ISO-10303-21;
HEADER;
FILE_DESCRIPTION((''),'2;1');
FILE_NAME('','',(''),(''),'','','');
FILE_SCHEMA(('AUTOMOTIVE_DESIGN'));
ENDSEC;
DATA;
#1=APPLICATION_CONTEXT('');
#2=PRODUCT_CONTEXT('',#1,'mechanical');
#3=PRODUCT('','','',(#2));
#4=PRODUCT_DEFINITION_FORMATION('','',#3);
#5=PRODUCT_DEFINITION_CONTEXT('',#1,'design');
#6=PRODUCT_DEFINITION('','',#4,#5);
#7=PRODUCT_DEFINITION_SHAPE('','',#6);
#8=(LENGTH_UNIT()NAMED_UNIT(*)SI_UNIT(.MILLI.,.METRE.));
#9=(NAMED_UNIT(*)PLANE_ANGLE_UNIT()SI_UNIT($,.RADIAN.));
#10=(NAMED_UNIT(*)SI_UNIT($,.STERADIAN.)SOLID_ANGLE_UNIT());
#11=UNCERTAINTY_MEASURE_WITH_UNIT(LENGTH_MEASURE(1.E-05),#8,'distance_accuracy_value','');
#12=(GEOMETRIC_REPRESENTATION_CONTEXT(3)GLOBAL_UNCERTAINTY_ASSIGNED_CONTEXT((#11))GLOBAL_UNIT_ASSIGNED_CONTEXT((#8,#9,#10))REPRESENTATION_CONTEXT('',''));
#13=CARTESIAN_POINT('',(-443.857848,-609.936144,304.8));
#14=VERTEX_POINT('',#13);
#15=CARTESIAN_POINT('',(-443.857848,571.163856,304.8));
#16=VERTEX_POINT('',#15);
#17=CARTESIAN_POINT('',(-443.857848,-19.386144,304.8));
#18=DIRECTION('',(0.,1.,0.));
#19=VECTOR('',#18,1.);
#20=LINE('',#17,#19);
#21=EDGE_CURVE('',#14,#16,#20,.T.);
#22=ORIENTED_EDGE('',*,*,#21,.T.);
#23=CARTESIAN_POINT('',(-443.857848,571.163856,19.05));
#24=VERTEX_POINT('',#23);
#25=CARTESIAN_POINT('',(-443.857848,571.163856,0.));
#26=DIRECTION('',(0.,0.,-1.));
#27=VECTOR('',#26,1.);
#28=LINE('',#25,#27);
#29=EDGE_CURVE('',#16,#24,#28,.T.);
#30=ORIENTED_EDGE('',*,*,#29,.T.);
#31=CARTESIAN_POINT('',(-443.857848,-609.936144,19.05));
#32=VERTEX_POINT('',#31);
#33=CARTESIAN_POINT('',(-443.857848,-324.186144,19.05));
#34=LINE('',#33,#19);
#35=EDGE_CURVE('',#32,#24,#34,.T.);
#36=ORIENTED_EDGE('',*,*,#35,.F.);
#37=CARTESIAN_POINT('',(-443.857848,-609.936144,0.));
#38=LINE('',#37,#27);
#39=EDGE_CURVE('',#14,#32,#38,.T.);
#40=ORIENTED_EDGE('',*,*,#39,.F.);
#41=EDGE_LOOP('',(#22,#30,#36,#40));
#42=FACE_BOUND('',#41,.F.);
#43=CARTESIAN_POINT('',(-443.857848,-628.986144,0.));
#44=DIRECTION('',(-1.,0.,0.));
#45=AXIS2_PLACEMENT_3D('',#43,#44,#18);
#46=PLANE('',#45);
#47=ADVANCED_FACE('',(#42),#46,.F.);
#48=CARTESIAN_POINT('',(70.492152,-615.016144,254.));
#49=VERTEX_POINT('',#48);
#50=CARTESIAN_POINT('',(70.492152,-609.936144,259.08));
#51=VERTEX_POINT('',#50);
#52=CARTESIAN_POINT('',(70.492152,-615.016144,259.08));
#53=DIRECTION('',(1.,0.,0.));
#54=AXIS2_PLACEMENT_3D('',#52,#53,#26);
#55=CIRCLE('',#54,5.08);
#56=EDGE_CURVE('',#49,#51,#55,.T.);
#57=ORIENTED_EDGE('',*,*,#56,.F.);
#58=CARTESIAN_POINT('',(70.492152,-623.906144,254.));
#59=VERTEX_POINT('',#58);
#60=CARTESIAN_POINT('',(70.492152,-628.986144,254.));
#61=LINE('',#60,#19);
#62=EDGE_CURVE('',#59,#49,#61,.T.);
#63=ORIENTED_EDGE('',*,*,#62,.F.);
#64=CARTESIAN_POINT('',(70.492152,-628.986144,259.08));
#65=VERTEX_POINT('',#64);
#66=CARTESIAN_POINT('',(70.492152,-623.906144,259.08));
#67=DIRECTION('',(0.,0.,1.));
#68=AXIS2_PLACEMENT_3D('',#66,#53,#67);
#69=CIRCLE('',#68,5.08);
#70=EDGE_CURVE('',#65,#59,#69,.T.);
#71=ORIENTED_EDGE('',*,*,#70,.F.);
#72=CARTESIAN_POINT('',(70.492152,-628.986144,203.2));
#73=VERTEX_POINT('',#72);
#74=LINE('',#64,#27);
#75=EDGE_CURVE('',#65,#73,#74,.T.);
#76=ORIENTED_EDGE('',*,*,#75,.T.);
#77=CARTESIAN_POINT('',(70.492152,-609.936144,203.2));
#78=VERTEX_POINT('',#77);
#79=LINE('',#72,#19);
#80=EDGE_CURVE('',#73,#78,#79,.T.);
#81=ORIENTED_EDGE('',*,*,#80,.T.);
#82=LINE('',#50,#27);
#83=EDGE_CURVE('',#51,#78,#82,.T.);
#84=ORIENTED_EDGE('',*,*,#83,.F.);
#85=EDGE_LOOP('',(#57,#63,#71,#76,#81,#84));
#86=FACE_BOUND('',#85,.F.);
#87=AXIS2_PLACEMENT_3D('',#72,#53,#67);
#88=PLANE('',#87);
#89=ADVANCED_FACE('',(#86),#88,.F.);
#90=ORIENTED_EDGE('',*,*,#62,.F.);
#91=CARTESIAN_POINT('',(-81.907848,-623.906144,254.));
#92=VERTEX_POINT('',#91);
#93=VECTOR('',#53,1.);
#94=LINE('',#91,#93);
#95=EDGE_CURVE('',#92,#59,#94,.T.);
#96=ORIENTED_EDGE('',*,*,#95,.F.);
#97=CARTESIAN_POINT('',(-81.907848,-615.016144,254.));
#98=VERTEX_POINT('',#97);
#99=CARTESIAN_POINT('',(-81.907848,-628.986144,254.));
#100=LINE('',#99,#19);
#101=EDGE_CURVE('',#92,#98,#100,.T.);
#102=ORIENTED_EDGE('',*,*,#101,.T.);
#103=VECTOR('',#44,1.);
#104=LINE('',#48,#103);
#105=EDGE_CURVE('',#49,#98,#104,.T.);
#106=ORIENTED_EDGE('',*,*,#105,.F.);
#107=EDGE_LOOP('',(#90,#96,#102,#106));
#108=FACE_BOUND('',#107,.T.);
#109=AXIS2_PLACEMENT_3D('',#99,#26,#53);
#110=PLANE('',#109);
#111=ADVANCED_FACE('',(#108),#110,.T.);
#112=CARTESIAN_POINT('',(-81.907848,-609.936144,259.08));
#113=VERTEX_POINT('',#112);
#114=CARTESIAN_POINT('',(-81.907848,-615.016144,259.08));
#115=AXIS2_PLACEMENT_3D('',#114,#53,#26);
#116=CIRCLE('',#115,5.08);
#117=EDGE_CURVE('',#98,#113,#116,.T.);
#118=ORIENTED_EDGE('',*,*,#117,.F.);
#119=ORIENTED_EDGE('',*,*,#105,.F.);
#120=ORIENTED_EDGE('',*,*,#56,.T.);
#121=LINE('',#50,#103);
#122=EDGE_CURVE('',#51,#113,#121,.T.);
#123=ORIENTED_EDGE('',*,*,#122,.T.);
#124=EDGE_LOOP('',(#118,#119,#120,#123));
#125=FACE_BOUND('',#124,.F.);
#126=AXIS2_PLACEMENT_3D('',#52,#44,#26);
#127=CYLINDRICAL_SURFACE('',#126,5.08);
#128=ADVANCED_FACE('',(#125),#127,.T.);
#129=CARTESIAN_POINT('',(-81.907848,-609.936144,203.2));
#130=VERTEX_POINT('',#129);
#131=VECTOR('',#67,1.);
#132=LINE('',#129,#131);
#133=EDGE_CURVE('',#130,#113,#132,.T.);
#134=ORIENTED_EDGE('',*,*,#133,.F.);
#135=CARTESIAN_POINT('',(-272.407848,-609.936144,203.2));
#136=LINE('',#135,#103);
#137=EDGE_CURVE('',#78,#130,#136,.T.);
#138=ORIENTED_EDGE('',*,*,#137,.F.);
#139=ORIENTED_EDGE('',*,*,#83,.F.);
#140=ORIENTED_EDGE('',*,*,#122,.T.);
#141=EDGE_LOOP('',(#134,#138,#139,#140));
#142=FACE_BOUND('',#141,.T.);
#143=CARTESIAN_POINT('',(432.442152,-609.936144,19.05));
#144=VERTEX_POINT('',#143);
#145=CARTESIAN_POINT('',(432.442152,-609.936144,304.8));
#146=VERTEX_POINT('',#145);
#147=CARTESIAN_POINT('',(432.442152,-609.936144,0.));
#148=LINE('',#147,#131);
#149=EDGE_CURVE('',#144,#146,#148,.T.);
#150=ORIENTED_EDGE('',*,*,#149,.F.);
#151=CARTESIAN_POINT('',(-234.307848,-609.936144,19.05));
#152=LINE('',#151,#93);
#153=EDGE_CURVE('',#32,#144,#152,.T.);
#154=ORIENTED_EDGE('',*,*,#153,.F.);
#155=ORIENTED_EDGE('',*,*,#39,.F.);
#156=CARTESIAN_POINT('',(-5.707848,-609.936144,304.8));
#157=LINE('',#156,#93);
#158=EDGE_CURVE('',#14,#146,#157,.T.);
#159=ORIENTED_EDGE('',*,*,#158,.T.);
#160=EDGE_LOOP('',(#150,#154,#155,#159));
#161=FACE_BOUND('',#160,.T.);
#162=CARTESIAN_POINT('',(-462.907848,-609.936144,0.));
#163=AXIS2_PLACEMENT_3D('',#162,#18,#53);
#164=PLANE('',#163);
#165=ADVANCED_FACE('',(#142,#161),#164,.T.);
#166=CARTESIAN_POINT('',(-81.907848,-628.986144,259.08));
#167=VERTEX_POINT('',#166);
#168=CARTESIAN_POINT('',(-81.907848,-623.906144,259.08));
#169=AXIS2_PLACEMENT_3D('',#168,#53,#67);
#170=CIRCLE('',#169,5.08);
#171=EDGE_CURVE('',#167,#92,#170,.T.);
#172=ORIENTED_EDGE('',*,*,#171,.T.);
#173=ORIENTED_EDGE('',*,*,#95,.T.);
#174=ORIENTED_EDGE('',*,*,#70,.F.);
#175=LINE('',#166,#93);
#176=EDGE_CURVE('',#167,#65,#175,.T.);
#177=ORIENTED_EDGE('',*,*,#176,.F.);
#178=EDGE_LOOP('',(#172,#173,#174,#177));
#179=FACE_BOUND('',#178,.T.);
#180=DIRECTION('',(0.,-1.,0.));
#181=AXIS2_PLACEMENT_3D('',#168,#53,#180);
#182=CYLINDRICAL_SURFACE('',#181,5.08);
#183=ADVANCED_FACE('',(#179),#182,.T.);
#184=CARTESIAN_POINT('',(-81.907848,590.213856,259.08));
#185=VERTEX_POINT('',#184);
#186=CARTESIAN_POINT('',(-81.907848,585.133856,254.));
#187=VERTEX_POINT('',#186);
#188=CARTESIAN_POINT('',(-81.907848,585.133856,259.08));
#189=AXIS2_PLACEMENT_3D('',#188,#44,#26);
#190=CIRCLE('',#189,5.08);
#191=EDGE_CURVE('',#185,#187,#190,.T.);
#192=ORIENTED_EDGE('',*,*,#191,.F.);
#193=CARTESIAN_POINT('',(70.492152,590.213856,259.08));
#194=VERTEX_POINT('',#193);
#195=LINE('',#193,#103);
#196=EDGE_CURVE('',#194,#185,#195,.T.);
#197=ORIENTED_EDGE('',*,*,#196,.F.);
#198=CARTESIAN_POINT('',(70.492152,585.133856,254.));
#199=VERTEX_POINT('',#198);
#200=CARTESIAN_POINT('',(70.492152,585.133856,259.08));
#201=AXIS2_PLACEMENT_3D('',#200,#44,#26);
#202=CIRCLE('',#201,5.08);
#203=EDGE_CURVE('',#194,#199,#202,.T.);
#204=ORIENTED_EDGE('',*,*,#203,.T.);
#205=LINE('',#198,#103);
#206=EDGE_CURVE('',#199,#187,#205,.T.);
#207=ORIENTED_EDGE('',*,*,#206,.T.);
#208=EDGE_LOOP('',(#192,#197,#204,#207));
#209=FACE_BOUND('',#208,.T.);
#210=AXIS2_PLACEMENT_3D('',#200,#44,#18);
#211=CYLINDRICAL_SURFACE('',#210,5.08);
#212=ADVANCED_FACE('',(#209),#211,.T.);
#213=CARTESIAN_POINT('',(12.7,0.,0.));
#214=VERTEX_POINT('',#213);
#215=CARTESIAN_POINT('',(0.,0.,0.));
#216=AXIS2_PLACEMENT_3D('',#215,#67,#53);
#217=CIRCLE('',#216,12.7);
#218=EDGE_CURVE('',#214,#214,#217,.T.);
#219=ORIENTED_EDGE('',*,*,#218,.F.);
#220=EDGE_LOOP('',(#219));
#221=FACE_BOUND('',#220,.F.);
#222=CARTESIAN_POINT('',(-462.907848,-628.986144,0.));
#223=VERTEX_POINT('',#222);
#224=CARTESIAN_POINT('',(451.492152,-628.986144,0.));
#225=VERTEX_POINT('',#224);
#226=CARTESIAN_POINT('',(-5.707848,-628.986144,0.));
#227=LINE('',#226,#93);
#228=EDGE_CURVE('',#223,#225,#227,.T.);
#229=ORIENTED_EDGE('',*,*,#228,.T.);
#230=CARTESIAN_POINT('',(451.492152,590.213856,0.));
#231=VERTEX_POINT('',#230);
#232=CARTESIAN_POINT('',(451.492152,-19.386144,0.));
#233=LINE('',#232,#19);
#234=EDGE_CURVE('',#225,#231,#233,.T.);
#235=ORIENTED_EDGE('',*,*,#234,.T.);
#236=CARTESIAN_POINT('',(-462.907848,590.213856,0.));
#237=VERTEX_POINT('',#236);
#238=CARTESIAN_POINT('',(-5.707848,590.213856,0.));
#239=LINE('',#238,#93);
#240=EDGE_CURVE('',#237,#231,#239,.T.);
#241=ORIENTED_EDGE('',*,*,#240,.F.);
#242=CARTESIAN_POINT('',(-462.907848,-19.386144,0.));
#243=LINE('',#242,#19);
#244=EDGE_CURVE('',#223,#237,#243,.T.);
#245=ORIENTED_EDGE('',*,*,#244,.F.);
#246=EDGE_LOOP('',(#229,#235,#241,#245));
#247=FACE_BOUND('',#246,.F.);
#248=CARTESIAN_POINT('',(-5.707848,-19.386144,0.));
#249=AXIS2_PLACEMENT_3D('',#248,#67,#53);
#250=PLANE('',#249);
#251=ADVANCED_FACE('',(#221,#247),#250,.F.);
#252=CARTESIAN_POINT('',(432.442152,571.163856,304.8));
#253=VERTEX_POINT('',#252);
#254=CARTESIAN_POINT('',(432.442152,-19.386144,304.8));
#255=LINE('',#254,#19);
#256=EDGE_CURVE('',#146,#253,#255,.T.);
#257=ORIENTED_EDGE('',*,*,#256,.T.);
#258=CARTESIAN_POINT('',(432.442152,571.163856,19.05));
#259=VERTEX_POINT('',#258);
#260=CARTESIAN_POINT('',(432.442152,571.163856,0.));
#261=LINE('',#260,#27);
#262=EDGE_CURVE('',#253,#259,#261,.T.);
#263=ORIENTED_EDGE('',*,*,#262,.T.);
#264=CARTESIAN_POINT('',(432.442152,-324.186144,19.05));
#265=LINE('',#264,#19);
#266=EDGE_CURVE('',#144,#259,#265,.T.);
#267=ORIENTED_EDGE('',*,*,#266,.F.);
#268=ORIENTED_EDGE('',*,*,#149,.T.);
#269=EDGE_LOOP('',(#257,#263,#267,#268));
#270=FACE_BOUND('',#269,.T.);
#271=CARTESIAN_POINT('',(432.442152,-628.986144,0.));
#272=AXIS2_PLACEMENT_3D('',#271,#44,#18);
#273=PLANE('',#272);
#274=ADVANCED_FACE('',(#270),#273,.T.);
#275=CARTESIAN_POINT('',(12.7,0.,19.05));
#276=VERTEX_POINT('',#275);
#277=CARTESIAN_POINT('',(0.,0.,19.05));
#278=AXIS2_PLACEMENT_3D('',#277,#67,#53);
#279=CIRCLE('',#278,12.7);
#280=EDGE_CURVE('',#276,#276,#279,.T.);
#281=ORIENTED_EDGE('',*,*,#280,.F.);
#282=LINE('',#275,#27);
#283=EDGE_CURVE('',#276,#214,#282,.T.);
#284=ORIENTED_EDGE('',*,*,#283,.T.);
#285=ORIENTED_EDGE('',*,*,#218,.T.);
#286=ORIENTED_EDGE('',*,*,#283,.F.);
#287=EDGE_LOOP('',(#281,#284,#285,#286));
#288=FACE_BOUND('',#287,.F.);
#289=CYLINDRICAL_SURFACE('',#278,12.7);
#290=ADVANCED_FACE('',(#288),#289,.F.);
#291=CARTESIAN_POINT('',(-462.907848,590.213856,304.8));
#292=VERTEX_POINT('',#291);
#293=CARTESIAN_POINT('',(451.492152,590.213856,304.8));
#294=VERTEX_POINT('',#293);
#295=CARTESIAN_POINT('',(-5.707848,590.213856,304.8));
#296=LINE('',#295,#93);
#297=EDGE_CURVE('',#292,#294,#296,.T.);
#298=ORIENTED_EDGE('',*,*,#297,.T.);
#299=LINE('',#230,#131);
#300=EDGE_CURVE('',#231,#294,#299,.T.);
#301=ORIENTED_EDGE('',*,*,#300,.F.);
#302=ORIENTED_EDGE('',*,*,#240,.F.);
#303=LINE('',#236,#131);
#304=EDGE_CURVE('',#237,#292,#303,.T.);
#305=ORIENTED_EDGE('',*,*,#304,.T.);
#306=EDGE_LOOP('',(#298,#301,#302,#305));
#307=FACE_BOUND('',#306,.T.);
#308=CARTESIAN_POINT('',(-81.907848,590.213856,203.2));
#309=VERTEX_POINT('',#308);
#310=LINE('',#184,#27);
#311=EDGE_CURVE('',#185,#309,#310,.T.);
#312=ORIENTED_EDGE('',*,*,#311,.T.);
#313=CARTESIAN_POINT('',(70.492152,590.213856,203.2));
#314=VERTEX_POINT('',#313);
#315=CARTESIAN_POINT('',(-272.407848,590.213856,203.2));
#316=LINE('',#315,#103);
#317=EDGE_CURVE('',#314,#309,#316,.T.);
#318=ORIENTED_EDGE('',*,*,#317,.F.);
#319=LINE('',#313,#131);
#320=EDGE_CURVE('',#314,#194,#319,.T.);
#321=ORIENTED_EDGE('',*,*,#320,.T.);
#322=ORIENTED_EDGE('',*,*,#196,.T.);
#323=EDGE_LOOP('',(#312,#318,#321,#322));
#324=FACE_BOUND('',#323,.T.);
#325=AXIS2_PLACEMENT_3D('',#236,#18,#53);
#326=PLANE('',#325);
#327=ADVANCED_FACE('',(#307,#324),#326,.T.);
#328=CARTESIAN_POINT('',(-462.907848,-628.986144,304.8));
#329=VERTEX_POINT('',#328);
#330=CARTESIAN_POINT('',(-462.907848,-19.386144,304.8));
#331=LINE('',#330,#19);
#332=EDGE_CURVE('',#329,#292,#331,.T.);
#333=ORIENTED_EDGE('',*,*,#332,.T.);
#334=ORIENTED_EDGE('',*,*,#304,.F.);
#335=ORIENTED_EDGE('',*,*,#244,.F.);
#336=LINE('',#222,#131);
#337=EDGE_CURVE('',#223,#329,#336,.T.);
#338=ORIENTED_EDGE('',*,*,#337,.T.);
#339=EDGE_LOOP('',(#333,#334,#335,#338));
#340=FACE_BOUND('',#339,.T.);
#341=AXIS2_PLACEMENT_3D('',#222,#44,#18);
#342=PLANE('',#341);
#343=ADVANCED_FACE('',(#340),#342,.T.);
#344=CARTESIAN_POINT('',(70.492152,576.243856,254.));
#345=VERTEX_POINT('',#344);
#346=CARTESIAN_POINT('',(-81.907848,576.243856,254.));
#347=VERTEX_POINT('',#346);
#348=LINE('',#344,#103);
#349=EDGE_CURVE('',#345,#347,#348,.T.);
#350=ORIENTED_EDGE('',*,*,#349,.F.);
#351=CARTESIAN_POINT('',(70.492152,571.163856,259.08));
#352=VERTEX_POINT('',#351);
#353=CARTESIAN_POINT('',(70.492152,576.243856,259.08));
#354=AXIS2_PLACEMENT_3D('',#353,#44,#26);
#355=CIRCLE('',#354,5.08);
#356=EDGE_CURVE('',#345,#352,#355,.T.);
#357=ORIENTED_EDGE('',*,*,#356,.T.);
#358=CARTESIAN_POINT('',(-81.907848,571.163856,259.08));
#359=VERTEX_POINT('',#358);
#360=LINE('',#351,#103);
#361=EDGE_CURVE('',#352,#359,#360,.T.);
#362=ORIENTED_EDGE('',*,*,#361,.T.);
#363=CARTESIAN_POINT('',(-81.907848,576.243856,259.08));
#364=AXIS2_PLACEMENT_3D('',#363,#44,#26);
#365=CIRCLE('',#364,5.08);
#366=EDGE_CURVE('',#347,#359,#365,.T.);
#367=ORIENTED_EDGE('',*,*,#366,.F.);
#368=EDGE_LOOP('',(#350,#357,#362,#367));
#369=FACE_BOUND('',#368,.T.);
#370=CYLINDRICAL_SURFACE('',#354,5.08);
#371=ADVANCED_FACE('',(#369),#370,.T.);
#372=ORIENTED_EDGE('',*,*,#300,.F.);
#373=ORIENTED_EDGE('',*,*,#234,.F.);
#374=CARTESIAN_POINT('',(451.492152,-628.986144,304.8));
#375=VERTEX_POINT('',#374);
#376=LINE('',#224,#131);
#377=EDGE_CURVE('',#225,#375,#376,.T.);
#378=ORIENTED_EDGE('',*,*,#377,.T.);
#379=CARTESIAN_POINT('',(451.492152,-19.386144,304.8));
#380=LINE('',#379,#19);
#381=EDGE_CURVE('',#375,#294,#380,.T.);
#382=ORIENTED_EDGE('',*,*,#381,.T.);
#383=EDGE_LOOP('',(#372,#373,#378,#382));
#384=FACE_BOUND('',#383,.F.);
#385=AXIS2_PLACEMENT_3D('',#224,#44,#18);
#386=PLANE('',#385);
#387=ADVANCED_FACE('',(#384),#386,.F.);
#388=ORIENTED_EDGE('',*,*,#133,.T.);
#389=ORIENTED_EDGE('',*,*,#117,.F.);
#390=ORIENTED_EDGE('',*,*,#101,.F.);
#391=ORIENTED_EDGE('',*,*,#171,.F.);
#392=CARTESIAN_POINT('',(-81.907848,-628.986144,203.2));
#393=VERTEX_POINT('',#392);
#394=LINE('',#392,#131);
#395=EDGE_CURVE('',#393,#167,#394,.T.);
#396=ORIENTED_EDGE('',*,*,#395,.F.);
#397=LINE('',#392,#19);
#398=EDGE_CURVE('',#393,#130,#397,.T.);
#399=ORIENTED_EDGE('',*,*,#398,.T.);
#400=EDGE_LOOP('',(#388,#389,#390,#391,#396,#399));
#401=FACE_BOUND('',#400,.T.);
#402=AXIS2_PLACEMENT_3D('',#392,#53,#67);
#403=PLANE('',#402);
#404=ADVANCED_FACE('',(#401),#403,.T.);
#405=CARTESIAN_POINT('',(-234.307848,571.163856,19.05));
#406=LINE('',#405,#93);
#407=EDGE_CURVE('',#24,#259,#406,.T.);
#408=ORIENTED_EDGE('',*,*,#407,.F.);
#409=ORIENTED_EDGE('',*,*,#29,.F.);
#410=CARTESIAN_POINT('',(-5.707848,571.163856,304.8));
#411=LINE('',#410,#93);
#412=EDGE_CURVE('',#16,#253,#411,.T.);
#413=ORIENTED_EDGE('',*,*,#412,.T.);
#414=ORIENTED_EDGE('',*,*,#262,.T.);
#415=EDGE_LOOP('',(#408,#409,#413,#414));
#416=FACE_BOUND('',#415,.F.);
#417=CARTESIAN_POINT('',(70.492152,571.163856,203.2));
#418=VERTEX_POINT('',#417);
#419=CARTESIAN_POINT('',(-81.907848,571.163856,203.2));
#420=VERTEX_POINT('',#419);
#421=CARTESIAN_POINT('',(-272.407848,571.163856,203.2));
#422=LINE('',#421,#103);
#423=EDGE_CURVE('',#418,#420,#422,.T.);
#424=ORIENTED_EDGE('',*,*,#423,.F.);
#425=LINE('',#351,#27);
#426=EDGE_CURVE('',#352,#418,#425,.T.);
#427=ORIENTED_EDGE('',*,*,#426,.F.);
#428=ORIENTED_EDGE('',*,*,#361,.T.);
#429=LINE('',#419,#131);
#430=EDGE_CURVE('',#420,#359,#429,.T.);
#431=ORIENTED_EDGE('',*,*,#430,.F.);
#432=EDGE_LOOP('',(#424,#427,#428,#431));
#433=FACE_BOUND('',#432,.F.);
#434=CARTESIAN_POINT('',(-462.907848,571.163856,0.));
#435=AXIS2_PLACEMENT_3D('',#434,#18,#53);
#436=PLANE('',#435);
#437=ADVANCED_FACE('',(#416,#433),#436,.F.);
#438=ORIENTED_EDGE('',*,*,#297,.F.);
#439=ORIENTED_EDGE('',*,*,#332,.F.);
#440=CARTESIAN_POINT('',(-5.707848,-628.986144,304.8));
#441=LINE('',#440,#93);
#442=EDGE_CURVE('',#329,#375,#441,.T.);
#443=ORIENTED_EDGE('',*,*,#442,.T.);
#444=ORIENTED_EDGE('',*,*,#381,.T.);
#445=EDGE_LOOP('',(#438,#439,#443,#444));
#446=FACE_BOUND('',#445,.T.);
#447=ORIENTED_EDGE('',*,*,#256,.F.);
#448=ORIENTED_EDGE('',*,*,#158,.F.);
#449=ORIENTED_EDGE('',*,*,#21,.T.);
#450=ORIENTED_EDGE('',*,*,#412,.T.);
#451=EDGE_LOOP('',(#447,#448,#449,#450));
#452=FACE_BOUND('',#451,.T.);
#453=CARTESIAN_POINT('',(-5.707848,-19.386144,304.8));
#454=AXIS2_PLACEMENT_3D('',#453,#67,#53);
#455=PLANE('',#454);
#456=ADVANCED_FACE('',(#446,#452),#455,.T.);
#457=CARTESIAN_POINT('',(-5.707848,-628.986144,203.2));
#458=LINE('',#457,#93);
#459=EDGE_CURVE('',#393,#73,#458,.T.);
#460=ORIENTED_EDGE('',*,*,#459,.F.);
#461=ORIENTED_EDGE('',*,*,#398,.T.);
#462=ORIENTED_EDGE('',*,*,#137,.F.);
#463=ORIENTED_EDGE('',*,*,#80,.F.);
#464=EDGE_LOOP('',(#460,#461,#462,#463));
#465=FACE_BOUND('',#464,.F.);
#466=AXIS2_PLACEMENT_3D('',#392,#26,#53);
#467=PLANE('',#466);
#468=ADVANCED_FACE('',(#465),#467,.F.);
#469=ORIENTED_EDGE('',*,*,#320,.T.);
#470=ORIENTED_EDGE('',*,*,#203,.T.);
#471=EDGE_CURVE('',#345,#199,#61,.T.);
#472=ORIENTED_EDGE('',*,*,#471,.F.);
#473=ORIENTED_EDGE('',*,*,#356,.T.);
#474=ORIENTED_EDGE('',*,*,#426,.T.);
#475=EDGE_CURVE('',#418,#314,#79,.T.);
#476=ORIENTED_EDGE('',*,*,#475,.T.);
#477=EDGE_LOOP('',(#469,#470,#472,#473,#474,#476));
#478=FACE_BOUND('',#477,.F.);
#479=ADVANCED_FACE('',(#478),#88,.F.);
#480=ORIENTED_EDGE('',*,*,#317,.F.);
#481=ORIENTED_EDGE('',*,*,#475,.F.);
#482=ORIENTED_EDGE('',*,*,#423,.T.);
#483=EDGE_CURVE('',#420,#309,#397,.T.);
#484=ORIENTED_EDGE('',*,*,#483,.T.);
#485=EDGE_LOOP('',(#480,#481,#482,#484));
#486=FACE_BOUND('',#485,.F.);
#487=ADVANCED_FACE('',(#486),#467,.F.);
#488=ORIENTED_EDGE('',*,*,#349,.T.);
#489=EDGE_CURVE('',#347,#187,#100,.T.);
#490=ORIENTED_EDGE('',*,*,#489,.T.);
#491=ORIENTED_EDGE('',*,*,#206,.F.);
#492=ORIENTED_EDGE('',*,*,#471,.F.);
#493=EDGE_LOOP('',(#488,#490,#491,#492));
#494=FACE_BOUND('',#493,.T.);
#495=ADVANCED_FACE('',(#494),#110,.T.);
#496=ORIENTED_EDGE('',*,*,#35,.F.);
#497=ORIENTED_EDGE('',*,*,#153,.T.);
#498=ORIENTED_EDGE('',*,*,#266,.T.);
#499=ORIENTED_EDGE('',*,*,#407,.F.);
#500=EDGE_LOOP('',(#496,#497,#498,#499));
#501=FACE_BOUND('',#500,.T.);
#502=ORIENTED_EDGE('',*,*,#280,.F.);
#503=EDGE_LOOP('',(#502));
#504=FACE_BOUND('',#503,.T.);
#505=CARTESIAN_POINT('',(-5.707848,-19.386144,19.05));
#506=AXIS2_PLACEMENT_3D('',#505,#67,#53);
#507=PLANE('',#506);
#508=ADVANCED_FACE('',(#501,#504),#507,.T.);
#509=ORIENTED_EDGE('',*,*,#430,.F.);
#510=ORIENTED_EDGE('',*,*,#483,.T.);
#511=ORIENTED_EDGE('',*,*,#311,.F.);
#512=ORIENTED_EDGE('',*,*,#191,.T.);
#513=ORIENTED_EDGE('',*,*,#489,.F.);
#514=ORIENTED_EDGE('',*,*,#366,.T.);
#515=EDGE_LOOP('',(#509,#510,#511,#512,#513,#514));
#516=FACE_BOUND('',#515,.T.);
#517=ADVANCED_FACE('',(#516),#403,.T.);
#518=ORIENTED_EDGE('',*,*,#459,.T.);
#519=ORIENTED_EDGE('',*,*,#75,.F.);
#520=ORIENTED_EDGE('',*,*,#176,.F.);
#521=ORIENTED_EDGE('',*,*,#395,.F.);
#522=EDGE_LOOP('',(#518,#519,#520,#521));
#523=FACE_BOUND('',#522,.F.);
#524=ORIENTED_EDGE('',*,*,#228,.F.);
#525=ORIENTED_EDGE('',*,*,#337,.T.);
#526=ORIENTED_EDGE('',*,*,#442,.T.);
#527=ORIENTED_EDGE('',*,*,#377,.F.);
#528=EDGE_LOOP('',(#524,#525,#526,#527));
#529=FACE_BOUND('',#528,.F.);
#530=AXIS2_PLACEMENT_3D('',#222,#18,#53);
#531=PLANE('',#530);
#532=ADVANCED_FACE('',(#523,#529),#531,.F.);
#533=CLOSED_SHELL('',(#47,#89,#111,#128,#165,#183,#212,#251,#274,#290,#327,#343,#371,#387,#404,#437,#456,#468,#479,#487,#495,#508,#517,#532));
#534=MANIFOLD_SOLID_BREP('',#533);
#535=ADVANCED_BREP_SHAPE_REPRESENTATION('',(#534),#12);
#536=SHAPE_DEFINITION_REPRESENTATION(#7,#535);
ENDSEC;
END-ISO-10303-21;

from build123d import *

# Parameters (mm, degrees)
F0_W     = 914.4
F0_H     = 1219.2
F1_DEPTH = 304.8
F2_T     = -19.05
F3_W     = 152.4
F3_H     = 50.8
F4_DEPTH = 1280.16
F5_R     = 5.08
F6_R     = 12.7
F7_DEPTH = 25.4


with BuildPart() as f1:
    # F0 (on Top) → F1 (new body)
    with BuildSketch(Plane.XY):
        with Locations((-5.7078478858, -19.3861435029)):
            Rectangle(F0_W, F0_H)
    extrude(amount=F1_DEPTH)

    # F2
    f2_openings = [f1.faces().sort_by_distance(p)[0] for p in [
        (-5.707848, -19.386144, 304.8),
    ]]
    offset(amount=F2_T, openings=f2_openings)

    # F3 (on face) → F4 (cut)
    with BuildSketch(Plane.XZ.offset(628.9861435029)):
        with Locations((-5.7078478858, 228.6)):
            Rectangle(F3_W, F3_H)
    extrude(amount=-F4_DEPTH, mode=Mode.SUBTRACT)

    # F5
    f5_edges = [f1.edges().sort_by_distance(p)[0] for p in [
        (-5.707848, -609.936144, 254),
        (-5.707848, -628.986144, 254),
        (-5.707848, 571.163856, 254),
        (-5.707848, 590.213856, 254),
    ]]
    fillet(f5_edges, radius=F5_R)

    # F6 (on face) → F7 (cut)
    with BuildSketch(Plane.XY.offset(19.05)):
        Circle(F6_R)
    extrude(amount=-F7_DEPTH, mode=Mode.SUBTRACT)


solid = f1.part
